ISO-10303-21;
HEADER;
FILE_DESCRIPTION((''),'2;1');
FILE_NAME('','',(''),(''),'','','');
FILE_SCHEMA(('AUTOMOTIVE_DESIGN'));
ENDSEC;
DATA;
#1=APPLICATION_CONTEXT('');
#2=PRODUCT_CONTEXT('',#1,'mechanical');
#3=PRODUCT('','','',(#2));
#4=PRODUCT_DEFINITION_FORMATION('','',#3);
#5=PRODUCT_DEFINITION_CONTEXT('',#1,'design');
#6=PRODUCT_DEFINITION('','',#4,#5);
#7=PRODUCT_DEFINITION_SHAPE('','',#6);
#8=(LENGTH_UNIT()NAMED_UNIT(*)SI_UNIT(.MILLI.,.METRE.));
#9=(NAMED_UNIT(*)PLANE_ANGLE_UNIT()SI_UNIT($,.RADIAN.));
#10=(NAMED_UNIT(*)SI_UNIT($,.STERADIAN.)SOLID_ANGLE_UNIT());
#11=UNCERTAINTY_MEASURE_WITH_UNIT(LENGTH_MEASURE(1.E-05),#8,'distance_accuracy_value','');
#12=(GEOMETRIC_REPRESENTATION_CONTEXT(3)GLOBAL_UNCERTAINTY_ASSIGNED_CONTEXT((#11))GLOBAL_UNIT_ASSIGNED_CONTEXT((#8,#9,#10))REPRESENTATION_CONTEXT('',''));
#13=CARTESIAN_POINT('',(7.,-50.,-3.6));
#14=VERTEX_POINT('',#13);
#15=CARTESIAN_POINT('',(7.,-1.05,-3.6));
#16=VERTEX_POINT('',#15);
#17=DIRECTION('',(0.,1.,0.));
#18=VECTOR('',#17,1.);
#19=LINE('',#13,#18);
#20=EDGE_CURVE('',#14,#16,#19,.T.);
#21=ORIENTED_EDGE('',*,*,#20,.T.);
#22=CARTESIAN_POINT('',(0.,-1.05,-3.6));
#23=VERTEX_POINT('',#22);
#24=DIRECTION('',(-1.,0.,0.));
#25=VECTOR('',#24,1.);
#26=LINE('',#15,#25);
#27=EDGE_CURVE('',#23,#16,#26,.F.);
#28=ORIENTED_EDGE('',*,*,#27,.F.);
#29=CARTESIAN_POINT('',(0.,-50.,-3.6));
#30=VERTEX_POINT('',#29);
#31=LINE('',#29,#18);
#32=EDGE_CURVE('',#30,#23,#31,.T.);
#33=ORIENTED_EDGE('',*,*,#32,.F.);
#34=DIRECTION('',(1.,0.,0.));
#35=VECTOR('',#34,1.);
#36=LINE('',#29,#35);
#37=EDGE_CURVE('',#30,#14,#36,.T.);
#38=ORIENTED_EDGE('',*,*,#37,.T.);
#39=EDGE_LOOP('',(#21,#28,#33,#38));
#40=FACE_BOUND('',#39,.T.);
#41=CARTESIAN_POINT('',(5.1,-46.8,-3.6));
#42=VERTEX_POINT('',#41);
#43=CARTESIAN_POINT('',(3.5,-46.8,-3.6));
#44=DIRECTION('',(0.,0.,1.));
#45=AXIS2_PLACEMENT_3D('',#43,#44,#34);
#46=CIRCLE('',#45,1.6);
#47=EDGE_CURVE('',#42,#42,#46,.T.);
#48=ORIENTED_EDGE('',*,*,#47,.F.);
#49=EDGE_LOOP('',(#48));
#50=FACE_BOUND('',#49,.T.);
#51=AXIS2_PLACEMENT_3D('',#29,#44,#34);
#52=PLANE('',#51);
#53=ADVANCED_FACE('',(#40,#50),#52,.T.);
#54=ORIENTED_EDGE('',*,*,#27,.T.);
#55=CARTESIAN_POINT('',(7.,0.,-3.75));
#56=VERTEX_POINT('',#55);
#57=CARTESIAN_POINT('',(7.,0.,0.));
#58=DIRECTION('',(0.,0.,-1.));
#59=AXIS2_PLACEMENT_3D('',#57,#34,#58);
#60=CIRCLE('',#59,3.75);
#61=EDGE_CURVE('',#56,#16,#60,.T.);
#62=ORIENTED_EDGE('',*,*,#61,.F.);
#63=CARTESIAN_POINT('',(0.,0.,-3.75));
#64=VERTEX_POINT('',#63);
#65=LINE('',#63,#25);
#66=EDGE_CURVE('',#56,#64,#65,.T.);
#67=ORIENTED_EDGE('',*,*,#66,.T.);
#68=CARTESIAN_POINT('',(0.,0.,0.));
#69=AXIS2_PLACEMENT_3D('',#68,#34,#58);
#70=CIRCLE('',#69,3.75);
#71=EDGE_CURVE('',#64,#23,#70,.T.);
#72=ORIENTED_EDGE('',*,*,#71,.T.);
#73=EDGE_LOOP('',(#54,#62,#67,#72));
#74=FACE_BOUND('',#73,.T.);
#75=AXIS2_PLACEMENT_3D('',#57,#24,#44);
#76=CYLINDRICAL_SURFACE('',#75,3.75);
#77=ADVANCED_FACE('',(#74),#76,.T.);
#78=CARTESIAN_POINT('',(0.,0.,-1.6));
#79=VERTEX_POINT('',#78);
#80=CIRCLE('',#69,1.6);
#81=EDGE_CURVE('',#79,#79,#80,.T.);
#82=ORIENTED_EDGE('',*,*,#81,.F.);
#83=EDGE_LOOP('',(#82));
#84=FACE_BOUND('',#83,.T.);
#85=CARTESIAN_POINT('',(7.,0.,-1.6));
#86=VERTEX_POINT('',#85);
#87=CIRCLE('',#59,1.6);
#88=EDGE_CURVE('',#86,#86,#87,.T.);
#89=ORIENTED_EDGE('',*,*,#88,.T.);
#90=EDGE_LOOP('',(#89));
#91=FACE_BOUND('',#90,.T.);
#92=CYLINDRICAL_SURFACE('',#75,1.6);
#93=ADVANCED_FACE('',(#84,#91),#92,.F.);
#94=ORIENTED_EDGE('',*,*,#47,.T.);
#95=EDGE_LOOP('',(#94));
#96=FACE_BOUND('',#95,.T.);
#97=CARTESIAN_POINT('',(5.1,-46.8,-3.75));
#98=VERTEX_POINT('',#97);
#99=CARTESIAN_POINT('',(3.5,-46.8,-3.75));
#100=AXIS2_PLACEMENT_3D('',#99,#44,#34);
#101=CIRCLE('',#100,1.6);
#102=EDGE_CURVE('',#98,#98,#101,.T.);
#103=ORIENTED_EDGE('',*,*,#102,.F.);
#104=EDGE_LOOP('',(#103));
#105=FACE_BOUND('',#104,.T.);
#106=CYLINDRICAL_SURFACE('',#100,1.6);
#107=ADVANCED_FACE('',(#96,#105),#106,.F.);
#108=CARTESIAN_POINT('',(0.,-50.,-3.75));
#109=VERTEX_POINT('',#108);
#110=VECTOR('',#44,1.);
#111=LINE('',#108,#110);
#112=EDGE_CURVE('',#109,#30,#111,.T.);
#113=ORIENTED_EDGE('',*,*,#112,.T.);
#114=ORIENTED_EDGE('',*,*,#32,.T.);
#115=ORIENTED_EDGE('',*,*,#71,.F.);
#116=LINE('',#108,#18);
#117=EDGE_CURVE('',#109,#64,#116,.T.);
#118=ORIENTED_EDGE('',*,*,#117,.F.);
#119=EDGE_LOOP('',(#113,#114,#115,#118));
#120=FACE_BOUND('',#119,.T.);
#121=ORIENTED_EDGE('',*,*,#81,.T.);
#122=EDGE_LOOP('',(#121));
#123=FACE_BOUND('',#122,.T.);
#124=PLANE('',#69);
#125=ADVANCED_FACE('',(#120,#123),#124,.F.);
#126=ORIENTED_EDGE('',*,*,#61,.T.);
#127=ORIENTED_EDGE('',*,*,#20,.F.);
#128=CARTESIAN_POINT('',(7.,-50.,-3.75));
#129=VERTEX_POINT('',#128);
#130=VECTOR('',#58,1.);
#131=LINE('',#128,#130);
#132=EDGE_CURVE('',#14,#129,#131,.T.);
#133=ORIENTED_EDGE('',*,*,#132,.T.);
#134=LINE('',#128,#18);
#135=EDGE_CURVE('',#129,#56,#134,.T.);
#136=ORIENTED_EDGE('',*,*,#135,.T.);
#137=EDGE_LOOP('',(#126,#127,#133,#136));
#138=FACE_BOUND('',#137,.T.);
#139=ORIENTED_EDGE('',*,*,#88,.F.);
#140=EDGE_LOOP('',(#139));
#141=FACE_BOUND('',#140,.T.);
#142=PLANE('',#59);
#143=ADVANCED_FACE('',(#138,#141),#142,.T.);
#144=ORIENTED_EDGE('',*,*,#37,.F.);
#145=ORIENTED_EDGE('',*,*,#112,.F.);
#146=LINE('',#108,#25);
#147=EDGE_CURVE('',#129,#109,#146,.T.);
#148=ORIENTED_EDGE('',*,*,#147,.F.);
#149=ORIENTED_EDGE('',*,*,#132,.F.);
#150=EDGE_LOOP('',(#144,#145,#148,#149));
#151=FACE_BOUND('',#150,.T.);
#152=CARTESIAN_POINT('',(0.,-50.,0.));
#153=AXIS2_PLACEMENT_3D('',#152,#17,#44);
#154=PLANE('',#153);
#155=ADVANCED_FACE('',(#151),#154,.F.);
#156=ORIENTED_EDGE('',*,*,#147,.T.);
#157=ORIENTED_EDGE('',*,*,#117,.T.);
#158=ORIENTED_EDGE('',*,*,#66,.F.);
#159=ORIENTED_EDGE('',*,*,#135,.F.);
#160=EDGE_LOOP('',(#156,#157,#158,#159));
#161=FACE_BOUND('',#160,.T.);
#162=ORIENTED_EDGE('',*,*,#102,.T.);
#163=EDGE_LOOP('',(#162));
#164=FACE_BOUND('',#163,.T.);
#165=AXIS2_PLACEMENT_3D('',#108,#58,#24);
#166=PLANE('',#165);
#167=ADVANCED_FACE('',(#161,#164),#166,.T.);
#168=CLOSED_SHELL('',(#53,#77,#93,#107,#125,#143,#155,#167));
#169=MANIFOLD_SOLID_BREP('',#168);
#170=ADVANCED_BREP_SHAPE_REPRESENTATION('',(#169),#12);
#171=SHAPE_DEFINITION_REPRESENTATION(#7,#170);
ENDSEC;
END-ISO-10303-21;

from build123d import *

# Parameters (mm, degrees)
SKETCH_1_R          = 3.75
SKETCH_1_R_2        = 1.6
EXTRUDE_1_DEPTH     = 7
SKETCH_2_W          = 7
SKETCH_2_H          = 0.15
EXTRUDE_2_DEPTH     = 50
SKETCH_3_R          = 1.6
CUT_EXTRUDE_1_DEPTH = 52.019824578


with BuildPart() as part:
    # 草图1 → 凸台-拉伸1 (new body)
    with BuildSketch(Plane(origin=(0, 0, 0), x_dir=(0, 0, -1), z_dir=(1, 0, 0))):
        Circle(SKETCH_1_R)
        Circle(SKETCH_1_R_2, mode=Mode.SUBTRACT)
    extrude(amount=EXTRUDE_1_DEPTH)

    # 草图2 → 凸台-拉伸2 (add)
    with BuildSketch(Plane(origin=(0, 0, 0), x_dir=(1, 0, 0), z_dir=(0, 1, 0))):
        with Locations((3.5, 3.675)):
            Rectangle(SKETCH_2_W, SKETCH_2_H)
    extrude(amount=-EXTRUDE_2_DEPTH)

    # 草图3 → 切除-拉伸1 (cut, through all)
    with BuildSketch(Plane.XY.offset(-3.6)):
        with Locations((3.5, -46.8)):
            Circle(SKETCH_3_R)
    extrude(amount=-CUT_EXTRUDE_1_DEPTH, mode=Mode.SUBTRACT)


solid = part.part
